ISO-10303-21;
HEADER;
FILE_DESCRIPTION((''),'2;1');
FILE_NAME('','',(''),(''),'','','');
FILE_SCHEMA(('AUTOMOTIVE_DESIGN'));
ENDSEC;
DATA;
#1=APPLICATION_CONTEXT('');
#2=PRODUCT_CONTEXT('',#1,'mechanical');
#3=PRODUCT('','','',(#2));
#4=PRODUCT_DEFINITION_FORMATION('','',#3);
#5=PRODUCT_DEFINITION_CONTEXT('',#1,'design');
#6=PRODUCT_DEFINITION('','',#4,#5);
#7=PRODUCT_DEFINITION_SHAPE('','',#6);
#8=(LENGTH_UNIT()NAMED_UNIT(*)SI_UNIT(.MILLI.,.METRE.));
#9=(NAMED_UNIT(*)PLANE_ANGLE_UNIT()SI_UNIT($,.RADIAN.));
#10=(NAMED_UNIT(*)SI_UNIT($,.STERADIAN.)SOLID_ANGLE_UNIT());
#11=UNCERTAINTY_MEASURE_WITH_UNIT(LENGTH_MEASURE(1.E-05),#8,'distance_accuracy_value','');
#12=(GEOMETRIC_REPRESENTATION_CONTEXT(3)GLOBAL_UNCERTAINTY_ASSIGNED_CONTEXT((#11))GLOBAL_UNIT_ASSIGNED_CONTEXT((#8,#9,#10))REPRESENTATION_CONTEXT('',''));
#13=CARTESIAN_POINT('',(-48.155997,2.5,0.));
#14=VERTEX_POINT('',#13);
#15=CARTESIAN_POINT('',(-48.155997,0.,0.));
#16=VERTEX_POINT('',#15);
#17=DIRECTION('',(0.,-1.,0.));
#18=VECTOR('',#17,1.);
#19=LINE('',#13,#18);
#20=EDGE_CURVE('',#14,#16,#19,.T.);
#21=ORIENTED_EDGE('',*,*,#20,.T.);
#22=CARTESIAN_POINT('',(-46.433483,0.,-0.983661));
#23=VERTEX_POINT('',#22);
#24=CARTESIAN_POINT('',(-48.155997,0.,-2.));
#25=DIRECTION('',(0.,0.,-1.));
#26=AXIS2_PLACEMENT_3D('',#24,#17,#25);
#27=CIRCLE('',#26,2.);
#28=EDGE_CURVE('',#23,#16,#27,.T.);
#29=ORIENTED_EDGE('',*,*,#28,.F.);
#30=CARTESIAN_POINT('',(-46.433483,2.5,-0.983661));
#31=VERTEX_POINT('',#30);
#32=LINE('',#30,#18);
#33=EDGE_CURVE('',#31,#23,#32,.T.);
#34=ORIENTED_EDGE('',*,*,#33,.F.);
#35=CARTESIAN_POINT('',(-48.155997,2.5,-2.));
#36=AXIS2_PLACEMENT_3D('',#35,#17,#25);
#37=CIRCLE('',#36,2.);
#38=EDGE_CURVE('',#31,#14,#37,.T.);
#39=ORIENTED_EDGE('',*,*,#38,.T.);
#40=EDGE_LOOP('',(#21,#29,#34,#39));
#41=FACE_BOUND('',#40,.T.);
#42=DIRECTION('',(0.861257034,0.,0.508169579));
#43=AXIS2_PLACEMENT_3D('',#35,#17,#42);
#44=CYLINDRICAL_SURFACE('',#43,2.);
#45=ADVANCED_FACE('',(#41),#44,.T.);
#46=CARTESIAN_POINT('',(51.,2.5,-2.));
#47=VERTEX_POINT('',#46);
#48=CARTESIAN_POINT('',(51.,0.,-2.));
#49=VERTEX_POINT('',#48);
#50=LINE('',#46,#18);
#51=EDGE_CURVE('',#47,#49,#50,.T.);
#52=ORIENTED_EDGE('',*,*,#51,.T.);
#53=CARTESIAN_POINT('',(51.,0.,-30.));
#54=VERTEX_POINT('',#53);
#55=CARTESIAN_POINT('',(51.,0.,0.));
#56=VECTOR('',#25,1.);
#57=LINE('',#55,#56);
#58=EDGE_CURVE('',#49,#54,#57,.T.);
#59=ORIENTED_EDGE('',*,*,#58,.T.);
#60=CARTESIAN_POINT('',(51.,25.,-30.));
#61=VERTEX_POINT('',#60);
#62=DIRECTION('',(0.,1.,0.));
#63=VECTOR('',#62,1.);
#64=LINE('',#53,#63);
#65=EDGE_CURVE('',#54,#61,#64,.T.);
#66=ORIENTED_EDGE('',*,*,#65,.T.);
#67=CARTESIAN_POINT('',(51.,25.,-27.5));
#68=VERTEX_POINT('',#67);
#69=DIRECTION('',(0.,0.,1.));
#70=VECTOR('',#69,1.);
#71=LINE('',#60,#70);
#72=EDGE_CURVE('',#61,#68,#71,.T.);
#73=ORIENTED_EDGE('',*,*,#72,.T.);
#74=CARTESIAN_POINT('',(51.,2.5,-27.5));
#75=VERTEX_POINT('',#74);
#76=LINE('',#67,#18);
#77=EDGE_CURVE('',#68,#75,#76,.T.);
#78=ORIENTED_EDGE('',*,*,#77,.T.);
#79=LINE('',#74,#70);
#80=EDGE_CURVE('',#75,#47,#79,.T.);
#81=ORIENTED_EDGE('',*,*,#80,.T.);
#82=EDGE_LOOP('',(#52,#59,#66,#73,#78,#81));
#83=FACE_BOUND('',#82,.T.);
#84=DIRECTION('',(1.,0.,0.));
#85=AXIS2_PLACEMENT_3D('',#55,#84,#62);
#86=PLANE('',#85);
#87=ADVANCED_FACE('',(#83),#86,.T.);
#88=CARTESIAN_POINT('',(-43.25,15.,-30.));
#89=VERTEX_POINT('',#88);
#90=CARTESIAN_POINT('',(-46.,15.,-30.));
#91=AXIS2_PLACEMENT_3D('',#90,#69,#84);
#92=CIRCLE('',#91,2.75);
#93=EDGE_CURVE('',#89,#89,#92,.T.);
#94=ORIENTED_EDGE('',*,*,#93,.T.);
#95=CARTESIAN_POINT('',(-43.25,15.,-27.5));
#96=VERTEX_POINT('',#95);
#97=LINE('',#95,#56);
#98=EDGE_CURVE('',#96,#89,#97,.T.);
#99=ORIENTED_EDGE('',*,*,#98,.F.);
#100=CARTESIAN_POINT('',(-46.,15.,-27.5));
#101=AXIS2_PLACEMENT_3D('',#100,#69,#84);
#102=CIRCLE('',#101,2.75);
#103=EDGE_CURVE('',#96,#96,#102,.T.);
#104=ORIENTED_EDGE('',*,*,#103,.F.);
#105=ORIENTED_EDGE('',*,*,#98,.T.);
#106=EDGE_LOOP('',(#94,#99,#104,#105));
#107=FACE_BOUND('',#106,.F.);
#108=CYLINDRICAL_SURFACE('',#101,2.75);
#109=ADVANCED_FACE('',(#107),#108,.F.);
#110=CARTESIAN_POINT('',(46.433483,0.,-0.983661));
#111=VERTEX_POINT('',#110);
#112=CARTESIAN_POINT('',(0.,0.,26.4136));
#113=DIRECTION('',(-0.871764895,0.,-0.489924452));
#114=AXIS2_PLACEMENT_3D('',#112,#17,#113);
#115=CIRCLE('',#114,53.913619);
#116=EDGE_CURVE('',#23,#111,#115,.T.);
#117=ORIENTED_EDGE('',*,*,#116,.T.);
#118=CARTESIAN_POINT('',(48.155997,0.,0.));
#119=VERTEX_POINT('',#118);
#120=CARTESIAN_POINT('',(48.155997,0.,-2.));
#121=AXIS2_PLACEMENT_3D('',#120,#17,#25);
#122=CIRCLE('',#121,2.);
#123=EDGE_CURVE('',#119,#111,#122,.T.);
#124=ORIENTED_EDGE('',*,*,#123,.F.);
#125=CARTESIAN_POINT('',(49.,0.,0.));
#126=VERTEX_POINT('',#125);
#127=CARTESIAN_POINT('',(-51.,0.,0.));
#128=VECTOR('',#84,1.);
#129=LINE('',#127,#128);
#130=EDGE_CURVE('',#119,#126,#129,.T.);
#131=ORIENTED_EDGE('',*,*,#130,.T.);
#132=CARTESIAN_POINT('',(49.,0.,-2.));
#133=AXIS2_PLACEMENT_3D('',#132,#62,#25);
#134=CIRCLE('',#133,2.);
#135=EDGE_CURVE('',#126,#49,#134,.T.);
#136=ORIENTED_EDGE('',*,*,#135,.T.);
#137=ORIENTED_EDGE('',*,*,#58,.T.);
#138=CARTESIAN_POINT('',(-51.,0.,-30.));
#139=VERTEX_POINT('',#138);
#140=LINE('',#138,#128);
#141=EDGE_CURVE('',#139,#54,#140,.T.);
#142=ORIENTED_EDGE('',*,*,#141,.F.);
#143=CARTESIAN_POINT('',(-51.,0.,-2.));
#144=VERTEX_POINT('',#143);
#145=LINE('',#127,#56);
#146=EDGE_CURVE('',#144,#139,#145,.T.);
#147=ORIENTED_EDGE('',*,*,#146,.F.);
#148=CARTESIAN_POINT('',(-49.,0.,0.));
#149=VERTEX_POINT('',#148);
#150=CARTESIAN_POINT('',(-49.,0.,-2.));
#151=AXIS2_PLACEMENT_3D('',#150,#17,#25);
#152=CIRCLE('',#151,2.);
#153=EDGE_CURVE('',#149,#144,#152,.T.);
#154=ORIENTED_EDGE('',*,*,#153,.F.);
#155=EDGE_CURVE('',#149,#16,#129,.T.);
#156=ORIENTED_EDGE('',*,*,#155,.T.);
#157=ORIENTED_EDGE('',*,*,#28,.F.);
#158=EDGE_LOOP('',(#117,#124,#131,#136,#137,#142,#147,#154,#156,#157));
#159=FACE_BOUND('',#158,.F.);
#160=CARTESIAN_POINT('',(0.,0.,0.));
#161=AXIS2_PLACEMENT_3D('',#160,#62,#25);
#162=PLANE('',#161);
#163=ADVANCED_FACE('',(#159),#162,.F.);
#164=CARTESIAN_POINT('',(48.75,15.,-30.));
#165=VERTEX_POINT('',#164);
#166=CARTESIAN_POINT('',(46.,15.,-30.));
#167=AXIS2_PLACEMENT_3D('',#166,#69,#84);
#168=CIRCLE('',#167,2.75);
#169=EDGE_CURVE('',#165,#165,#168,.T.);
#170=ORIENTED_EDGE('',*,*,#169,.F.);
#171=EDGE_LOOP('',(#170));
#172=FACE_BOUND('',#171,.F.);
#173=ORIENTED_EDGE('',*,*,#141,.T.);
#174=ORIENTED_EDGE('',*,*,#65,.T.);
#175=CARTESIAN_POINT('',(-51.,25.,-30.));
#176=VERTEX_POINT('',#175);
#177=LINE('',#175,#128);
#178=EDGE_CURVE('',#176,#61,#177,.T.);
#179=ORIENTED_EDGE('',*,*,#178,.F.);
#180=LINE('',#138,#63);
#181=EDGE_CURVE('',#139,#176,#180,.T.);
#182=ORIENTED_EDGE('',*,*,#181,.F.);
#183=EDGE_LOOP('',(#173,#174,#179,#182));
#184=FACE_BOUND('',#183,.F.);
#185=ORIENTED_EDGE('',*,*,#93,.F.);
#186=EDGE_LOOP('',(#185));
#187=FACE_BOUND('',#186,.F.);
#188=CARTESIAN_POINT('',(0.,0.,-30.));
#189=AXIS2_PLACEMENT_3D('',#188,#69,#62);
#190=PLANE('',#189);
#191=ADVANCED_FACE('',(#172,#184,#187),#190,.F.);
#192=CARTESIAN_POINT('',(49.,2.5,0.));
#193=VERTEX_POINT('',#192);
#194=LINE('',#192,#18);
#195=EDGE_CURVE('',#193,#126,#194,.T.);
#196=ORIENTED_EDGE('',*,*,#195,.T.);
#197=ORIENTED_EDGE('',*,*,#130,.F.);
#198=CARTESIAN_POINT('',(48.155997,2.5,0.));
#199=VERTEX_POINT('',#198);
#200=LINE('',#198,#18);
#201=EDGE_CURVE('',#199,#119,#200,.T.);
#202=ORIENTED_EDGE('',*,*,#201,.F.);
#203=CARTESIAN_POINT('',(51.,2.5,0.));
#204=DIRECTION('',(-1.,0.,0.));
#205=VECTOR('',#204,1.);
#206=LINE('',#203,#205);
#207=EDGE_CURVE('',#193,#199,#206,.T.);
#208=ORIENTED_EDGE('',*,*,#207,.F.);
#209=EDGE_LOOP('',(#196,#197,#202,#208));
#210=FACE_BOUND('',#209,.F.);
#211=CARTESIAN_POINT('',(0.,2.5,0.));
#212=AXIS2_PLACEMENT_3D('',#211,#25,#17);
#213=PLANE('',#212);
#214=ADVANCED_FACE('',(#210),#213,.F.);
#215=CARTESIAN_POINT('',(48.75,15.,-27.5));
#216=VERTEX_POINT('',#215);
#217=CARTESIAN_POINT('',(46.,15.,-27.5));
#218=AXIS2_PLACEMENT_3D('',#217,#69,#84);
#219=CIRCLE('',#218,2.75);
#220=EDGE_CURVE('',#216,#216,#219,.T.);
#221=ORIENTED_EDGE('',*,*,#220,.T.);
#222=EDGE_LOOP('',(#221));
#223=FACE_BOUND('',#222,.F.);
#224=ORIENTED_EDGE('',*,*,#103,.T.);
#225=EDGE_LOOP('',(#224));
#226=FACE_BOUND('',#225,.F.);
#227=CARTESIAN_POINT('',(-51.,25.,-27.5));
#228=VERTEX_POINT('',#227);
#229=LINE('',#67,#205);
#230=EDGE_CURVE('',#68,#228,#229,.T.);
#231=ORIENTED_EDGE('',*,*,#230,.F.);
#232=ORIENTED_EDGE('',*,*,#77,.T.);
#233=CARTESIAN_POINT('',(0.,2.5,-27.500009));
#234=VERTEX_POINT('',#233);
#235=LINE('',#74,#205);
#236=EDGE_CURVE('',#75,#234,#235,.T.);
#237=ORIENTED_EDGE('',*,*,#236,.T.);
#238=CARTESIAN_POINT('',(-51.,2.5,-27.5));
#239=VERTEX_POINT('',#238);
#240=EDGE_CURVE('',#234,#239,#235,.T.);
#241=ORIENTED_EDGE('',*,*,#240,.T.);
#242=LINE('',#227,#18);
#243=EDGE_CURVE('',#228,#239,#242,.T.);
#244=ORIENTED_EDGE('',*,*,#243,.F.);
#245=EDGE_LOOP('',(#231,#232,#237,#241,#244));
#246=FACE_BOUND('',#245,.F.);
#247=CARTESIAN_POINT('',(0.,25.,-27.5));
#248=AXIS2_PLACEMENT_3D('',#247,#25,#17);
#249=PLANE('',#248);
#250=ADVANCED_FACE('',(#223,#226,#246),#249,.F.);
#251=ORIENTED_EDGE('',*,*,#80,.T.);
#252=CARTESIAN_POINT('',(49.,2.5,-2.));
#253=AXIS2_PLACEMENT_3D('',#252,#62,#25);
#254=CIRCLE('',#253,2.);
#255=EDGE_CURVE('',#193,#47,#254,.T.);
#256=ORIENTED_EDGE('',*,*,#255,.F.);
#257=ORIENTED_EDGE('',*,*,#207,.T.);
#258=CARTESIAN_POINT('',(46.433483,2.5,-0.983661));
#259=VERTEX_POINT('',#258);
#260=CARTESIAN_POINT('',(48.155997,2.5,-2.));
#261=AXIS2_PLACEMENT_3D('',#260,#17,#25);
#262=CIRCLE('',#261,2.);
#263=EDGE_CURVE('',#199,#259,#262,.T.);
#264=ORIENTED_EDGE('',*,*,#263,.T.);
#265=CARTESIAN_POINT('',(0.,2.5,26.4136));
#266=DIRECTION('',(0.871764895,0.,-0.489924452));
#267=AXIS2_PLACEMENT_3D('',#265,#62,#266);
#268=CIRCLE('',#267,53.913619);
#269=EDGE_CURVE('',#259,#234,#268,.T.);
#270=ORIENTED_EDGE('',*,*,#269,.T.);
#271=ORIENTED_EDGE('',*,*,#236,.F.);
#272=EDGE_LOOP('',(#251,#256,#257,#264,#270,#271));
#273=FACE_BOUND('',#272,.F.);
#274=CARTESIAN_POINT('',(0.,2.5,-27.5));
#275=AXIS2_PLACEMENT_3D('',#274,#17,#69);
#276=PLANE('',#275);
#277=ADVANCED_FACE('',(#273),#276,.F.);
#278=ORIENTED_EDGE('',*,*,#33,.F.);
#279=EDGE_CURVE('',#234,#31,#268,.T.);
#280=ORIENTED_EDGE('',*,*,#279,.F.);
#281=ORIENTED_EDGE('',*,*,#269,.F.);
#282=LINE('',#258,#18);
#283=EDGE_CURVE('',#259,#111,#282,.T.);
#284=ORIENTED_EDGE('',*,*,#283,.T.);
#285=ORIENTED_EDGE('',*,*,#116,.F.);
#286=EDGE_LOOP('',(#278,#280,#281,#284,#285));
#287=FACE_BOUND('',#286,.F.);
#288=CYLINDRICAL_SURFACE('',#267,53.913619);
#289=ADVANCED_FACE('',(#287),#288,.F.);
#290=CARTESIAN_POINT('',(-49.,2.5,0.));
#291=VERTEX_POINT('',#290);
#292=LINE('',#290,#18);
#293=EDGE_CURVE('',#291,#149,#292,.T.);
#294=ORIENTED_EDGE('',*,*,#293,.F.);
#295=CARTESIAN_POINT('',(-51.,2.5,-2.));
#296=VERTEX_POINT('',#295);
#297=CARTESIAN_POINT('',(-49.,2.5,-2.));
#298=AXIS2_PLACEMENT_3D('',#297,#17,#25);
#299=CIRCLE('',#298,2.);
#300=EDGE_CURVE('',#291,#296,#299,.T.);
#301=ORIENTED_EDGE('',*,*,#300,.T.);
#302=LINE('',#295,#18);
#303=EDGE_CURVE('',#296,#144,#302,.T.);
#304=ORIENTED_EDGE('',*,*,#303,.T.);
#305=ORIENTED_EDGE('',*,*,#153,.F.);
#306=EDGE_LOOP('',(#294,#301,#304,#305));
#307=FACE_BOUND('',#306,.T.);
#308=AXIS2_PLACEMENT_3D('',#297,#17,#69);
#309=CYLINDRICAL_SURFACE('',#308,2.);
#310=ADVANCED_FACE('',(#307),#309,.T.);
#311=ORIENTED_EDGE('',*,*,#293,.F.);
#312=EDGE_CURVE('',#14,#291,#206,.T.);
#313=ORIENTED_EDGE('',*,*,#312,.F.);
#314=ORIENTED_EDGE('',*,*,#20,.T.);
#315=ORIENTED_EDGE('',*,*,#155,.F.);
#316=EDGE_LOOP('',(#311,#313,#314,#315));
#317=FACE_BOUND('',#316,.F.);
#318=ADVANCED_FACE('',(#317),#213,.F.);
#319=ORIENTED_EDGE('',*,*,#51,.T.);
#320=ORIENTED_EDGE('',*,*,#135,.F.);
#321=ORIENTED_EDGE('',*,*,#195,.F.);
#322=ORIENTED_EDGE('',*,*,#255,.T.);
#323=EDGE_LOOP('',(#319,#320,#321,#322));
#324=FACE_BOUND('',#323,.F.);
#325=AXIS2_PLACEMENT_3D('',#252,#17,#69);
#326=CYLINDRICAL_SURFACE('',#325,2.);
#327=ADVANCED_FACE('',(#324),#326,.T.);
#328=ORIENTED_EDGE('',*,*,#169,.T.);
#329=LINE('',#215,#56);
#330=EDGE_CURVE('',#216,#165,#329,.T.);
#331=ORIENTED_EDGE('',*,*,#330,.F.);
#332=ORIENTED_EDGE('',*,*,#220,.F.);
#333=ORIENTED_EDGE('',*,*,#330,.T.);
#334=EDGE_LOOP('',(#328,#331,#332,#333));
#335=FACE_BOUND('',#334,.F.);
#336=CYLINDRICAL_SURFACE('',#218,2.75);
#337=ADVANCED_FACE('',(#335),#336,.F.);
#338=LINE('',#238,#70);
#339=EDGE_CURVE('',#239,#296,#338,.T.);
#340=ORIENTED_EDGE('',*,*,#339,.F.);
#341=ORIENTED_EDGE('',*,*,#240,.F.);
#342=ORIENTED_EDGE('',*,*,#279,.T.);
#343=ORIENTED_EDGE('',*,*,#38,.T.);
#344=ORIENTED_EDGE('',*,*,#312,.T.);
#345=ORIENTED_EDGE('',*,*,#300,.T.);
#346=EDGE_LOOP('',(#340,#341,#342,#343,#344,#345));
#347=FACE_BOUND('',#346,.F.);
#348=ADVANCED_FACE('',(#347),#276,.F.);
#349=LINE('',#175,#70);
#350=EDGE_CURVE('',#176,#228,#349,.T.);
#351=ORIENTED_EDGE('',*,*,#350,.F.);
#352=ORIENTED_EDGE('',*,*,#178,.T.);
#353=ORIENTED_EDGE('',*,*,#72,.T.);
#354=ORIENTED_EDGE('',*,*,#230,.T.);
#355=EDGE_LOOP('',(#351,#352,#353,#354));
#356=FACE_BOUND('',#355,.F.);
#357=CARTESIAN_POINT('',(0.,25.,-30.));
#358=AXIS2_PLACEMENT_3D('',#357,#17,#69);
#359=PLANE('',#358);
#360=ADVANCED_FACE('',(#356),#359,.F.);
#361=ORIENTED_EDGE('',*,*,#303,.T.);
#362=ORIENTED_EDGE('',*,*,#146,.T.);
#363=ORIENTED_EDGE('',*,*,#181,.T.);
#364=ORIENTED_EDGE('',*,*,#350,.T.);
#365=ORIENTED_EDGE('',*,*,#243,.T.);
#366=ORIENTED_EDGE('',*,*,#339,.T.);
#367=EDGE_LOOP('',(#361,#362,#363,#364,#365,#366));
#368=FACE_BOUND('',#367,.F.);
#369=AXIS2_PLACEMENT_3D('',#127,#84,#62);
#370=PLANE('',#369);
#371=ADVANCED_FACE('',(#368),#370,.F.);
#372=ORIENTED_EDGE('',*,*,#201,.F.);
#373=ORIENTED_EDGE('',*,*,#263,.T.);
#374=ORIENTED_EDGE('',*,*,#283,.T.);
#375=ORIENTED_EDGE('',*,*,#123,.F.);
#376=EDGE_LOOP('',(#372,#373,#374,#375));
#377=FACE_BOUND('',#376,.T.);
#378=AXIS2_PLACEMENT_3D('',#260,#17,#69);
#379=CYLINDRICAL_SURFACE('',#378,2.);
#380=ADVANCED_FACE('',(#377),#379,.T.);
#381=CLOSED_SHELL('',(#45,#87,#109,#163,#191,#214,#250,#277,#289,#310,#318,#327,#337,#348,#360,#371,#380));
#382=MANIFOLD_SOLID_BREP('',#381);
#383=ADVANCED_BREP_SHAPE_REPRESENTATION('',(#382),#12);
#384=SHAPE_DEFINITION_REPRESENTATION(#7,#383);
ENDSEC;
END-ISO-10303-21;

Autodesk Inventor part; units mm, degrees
ref_plane "YZ Plane" through (0, 0, 0) normal (1, 0, 0) x (0, 1, 0)
ref_plane "XZ Plane" through (0, 0, 0) normal (0, 1, 0) x (-1, 0, 0)
ref_plane "XY Plane" through (0, 0, 0) normal (0, 0, 1) x (1, 0, 0)
sketch "Skizze1" plane through (0, 0, 0) normal (1, 0, 0) x (0, 1, 0)
  line L0 (0, 0) -> (0, -30)
  line L1 (0, -30) -> (25, -30)
  line L2 (25, -30) -> (25, -27.5)
  line L3 (25, -27.5) -> (2.5, -27.5)
  line L4 (2.5, -27.5) -> (2.5, 0)
  line L5 (2.5, 0) -> (0, 0)
  dimension "d0" = 30
  dimension "d1" = 25
  dimension "d2" = 2.5
  dimension "d3" = 22.5
extrude "Extrusion1" add sketch "Skizze1" along normal mid plane 102
sketch "Skizze2" plane through (-51, 2.5, 0) normal (0, 1, 0) x (1, 0, 0)
  line L0 (0, 0) -> (102, 0) projected
  arc A0 (98, 0) -> (4, 0) centre (51, -26.4136) ccw
  line L1 (0, 27.5) -> (102, 27.5) projected
  line L2 (4, 0) -> (98, 0)
  point P0 (51, 0)
  dimension "d6" = 94
extrude "Extrusion2" cut sketch "Skizze2" against normal blind 2.5
fillet "Rundung1" radius 2 4 edges at (47, 1.25, 0) (-47, 1.25, 0) (-51, 1.25, 0) (51, 1.25, 0)
sketch "Skizze3" plane through (-51, 2.5, -27.5) normal (0, 1, 0) x (1, 0, 0)
  line L0 (-0.5, 0) -> (27.5, 0) construction
  line L1 (-0.5, -28) -> (4.5665, -28)
  arc A0 (97.4335, -28) -> (4.5665, -28) centre (51, -53.8505) ccw
  line L2 (102.2546, -28) -> (97.4335, -28)
  line L3 (51, 0) -> (102, 0) projected
  line L4 (-0.5, -28) -> (-0.5, -23)
  arc A1 (51, 0) -> (-0.5, -23) centre (49.8083, -66.4893) ccw
  line L5 (102.2546, -28) -> (102.2546, -23)
  line L6 (102, 0) -> (102, -25.5) projected
  line L7 (102.2546, -28) -> (107.2546, -28) construction
  arc A2 (97.4335, -26.5163) -> (51, 0) centre (51, -53.9136) ccw projected
  arc A3 (102.2546, -23) -> (51, 0) centre (51.9496, -66.4932) ccw
  point P0 (51, -27.5)
  dimension "d10" = 28
  dimension "d13" = 5
  dimension "d14" = 66.5
  dimension "d20" = 5
  dimension "d21" = 90
  dimension "d22" = 66.5
extrude "Extrusion3" [suppressed]
fillet "Rundung2" [suppressed]
sketch "Skizze4" plane through (-51, 25, -27.5) normal (0, 0, 1) x (1, 0, 0)
  circle A0 centre (97, -10) radius 2.75
  circle A1 centre (5, -10) radius 2.75
  point P0 (51, -25)
  dimension "d24" = 5.5
  dimension "d25" = 5.5
extrude "Extrusion4" cut sketch "Skizze4" against normal blind 2.5
properties part number "Glashalter"
